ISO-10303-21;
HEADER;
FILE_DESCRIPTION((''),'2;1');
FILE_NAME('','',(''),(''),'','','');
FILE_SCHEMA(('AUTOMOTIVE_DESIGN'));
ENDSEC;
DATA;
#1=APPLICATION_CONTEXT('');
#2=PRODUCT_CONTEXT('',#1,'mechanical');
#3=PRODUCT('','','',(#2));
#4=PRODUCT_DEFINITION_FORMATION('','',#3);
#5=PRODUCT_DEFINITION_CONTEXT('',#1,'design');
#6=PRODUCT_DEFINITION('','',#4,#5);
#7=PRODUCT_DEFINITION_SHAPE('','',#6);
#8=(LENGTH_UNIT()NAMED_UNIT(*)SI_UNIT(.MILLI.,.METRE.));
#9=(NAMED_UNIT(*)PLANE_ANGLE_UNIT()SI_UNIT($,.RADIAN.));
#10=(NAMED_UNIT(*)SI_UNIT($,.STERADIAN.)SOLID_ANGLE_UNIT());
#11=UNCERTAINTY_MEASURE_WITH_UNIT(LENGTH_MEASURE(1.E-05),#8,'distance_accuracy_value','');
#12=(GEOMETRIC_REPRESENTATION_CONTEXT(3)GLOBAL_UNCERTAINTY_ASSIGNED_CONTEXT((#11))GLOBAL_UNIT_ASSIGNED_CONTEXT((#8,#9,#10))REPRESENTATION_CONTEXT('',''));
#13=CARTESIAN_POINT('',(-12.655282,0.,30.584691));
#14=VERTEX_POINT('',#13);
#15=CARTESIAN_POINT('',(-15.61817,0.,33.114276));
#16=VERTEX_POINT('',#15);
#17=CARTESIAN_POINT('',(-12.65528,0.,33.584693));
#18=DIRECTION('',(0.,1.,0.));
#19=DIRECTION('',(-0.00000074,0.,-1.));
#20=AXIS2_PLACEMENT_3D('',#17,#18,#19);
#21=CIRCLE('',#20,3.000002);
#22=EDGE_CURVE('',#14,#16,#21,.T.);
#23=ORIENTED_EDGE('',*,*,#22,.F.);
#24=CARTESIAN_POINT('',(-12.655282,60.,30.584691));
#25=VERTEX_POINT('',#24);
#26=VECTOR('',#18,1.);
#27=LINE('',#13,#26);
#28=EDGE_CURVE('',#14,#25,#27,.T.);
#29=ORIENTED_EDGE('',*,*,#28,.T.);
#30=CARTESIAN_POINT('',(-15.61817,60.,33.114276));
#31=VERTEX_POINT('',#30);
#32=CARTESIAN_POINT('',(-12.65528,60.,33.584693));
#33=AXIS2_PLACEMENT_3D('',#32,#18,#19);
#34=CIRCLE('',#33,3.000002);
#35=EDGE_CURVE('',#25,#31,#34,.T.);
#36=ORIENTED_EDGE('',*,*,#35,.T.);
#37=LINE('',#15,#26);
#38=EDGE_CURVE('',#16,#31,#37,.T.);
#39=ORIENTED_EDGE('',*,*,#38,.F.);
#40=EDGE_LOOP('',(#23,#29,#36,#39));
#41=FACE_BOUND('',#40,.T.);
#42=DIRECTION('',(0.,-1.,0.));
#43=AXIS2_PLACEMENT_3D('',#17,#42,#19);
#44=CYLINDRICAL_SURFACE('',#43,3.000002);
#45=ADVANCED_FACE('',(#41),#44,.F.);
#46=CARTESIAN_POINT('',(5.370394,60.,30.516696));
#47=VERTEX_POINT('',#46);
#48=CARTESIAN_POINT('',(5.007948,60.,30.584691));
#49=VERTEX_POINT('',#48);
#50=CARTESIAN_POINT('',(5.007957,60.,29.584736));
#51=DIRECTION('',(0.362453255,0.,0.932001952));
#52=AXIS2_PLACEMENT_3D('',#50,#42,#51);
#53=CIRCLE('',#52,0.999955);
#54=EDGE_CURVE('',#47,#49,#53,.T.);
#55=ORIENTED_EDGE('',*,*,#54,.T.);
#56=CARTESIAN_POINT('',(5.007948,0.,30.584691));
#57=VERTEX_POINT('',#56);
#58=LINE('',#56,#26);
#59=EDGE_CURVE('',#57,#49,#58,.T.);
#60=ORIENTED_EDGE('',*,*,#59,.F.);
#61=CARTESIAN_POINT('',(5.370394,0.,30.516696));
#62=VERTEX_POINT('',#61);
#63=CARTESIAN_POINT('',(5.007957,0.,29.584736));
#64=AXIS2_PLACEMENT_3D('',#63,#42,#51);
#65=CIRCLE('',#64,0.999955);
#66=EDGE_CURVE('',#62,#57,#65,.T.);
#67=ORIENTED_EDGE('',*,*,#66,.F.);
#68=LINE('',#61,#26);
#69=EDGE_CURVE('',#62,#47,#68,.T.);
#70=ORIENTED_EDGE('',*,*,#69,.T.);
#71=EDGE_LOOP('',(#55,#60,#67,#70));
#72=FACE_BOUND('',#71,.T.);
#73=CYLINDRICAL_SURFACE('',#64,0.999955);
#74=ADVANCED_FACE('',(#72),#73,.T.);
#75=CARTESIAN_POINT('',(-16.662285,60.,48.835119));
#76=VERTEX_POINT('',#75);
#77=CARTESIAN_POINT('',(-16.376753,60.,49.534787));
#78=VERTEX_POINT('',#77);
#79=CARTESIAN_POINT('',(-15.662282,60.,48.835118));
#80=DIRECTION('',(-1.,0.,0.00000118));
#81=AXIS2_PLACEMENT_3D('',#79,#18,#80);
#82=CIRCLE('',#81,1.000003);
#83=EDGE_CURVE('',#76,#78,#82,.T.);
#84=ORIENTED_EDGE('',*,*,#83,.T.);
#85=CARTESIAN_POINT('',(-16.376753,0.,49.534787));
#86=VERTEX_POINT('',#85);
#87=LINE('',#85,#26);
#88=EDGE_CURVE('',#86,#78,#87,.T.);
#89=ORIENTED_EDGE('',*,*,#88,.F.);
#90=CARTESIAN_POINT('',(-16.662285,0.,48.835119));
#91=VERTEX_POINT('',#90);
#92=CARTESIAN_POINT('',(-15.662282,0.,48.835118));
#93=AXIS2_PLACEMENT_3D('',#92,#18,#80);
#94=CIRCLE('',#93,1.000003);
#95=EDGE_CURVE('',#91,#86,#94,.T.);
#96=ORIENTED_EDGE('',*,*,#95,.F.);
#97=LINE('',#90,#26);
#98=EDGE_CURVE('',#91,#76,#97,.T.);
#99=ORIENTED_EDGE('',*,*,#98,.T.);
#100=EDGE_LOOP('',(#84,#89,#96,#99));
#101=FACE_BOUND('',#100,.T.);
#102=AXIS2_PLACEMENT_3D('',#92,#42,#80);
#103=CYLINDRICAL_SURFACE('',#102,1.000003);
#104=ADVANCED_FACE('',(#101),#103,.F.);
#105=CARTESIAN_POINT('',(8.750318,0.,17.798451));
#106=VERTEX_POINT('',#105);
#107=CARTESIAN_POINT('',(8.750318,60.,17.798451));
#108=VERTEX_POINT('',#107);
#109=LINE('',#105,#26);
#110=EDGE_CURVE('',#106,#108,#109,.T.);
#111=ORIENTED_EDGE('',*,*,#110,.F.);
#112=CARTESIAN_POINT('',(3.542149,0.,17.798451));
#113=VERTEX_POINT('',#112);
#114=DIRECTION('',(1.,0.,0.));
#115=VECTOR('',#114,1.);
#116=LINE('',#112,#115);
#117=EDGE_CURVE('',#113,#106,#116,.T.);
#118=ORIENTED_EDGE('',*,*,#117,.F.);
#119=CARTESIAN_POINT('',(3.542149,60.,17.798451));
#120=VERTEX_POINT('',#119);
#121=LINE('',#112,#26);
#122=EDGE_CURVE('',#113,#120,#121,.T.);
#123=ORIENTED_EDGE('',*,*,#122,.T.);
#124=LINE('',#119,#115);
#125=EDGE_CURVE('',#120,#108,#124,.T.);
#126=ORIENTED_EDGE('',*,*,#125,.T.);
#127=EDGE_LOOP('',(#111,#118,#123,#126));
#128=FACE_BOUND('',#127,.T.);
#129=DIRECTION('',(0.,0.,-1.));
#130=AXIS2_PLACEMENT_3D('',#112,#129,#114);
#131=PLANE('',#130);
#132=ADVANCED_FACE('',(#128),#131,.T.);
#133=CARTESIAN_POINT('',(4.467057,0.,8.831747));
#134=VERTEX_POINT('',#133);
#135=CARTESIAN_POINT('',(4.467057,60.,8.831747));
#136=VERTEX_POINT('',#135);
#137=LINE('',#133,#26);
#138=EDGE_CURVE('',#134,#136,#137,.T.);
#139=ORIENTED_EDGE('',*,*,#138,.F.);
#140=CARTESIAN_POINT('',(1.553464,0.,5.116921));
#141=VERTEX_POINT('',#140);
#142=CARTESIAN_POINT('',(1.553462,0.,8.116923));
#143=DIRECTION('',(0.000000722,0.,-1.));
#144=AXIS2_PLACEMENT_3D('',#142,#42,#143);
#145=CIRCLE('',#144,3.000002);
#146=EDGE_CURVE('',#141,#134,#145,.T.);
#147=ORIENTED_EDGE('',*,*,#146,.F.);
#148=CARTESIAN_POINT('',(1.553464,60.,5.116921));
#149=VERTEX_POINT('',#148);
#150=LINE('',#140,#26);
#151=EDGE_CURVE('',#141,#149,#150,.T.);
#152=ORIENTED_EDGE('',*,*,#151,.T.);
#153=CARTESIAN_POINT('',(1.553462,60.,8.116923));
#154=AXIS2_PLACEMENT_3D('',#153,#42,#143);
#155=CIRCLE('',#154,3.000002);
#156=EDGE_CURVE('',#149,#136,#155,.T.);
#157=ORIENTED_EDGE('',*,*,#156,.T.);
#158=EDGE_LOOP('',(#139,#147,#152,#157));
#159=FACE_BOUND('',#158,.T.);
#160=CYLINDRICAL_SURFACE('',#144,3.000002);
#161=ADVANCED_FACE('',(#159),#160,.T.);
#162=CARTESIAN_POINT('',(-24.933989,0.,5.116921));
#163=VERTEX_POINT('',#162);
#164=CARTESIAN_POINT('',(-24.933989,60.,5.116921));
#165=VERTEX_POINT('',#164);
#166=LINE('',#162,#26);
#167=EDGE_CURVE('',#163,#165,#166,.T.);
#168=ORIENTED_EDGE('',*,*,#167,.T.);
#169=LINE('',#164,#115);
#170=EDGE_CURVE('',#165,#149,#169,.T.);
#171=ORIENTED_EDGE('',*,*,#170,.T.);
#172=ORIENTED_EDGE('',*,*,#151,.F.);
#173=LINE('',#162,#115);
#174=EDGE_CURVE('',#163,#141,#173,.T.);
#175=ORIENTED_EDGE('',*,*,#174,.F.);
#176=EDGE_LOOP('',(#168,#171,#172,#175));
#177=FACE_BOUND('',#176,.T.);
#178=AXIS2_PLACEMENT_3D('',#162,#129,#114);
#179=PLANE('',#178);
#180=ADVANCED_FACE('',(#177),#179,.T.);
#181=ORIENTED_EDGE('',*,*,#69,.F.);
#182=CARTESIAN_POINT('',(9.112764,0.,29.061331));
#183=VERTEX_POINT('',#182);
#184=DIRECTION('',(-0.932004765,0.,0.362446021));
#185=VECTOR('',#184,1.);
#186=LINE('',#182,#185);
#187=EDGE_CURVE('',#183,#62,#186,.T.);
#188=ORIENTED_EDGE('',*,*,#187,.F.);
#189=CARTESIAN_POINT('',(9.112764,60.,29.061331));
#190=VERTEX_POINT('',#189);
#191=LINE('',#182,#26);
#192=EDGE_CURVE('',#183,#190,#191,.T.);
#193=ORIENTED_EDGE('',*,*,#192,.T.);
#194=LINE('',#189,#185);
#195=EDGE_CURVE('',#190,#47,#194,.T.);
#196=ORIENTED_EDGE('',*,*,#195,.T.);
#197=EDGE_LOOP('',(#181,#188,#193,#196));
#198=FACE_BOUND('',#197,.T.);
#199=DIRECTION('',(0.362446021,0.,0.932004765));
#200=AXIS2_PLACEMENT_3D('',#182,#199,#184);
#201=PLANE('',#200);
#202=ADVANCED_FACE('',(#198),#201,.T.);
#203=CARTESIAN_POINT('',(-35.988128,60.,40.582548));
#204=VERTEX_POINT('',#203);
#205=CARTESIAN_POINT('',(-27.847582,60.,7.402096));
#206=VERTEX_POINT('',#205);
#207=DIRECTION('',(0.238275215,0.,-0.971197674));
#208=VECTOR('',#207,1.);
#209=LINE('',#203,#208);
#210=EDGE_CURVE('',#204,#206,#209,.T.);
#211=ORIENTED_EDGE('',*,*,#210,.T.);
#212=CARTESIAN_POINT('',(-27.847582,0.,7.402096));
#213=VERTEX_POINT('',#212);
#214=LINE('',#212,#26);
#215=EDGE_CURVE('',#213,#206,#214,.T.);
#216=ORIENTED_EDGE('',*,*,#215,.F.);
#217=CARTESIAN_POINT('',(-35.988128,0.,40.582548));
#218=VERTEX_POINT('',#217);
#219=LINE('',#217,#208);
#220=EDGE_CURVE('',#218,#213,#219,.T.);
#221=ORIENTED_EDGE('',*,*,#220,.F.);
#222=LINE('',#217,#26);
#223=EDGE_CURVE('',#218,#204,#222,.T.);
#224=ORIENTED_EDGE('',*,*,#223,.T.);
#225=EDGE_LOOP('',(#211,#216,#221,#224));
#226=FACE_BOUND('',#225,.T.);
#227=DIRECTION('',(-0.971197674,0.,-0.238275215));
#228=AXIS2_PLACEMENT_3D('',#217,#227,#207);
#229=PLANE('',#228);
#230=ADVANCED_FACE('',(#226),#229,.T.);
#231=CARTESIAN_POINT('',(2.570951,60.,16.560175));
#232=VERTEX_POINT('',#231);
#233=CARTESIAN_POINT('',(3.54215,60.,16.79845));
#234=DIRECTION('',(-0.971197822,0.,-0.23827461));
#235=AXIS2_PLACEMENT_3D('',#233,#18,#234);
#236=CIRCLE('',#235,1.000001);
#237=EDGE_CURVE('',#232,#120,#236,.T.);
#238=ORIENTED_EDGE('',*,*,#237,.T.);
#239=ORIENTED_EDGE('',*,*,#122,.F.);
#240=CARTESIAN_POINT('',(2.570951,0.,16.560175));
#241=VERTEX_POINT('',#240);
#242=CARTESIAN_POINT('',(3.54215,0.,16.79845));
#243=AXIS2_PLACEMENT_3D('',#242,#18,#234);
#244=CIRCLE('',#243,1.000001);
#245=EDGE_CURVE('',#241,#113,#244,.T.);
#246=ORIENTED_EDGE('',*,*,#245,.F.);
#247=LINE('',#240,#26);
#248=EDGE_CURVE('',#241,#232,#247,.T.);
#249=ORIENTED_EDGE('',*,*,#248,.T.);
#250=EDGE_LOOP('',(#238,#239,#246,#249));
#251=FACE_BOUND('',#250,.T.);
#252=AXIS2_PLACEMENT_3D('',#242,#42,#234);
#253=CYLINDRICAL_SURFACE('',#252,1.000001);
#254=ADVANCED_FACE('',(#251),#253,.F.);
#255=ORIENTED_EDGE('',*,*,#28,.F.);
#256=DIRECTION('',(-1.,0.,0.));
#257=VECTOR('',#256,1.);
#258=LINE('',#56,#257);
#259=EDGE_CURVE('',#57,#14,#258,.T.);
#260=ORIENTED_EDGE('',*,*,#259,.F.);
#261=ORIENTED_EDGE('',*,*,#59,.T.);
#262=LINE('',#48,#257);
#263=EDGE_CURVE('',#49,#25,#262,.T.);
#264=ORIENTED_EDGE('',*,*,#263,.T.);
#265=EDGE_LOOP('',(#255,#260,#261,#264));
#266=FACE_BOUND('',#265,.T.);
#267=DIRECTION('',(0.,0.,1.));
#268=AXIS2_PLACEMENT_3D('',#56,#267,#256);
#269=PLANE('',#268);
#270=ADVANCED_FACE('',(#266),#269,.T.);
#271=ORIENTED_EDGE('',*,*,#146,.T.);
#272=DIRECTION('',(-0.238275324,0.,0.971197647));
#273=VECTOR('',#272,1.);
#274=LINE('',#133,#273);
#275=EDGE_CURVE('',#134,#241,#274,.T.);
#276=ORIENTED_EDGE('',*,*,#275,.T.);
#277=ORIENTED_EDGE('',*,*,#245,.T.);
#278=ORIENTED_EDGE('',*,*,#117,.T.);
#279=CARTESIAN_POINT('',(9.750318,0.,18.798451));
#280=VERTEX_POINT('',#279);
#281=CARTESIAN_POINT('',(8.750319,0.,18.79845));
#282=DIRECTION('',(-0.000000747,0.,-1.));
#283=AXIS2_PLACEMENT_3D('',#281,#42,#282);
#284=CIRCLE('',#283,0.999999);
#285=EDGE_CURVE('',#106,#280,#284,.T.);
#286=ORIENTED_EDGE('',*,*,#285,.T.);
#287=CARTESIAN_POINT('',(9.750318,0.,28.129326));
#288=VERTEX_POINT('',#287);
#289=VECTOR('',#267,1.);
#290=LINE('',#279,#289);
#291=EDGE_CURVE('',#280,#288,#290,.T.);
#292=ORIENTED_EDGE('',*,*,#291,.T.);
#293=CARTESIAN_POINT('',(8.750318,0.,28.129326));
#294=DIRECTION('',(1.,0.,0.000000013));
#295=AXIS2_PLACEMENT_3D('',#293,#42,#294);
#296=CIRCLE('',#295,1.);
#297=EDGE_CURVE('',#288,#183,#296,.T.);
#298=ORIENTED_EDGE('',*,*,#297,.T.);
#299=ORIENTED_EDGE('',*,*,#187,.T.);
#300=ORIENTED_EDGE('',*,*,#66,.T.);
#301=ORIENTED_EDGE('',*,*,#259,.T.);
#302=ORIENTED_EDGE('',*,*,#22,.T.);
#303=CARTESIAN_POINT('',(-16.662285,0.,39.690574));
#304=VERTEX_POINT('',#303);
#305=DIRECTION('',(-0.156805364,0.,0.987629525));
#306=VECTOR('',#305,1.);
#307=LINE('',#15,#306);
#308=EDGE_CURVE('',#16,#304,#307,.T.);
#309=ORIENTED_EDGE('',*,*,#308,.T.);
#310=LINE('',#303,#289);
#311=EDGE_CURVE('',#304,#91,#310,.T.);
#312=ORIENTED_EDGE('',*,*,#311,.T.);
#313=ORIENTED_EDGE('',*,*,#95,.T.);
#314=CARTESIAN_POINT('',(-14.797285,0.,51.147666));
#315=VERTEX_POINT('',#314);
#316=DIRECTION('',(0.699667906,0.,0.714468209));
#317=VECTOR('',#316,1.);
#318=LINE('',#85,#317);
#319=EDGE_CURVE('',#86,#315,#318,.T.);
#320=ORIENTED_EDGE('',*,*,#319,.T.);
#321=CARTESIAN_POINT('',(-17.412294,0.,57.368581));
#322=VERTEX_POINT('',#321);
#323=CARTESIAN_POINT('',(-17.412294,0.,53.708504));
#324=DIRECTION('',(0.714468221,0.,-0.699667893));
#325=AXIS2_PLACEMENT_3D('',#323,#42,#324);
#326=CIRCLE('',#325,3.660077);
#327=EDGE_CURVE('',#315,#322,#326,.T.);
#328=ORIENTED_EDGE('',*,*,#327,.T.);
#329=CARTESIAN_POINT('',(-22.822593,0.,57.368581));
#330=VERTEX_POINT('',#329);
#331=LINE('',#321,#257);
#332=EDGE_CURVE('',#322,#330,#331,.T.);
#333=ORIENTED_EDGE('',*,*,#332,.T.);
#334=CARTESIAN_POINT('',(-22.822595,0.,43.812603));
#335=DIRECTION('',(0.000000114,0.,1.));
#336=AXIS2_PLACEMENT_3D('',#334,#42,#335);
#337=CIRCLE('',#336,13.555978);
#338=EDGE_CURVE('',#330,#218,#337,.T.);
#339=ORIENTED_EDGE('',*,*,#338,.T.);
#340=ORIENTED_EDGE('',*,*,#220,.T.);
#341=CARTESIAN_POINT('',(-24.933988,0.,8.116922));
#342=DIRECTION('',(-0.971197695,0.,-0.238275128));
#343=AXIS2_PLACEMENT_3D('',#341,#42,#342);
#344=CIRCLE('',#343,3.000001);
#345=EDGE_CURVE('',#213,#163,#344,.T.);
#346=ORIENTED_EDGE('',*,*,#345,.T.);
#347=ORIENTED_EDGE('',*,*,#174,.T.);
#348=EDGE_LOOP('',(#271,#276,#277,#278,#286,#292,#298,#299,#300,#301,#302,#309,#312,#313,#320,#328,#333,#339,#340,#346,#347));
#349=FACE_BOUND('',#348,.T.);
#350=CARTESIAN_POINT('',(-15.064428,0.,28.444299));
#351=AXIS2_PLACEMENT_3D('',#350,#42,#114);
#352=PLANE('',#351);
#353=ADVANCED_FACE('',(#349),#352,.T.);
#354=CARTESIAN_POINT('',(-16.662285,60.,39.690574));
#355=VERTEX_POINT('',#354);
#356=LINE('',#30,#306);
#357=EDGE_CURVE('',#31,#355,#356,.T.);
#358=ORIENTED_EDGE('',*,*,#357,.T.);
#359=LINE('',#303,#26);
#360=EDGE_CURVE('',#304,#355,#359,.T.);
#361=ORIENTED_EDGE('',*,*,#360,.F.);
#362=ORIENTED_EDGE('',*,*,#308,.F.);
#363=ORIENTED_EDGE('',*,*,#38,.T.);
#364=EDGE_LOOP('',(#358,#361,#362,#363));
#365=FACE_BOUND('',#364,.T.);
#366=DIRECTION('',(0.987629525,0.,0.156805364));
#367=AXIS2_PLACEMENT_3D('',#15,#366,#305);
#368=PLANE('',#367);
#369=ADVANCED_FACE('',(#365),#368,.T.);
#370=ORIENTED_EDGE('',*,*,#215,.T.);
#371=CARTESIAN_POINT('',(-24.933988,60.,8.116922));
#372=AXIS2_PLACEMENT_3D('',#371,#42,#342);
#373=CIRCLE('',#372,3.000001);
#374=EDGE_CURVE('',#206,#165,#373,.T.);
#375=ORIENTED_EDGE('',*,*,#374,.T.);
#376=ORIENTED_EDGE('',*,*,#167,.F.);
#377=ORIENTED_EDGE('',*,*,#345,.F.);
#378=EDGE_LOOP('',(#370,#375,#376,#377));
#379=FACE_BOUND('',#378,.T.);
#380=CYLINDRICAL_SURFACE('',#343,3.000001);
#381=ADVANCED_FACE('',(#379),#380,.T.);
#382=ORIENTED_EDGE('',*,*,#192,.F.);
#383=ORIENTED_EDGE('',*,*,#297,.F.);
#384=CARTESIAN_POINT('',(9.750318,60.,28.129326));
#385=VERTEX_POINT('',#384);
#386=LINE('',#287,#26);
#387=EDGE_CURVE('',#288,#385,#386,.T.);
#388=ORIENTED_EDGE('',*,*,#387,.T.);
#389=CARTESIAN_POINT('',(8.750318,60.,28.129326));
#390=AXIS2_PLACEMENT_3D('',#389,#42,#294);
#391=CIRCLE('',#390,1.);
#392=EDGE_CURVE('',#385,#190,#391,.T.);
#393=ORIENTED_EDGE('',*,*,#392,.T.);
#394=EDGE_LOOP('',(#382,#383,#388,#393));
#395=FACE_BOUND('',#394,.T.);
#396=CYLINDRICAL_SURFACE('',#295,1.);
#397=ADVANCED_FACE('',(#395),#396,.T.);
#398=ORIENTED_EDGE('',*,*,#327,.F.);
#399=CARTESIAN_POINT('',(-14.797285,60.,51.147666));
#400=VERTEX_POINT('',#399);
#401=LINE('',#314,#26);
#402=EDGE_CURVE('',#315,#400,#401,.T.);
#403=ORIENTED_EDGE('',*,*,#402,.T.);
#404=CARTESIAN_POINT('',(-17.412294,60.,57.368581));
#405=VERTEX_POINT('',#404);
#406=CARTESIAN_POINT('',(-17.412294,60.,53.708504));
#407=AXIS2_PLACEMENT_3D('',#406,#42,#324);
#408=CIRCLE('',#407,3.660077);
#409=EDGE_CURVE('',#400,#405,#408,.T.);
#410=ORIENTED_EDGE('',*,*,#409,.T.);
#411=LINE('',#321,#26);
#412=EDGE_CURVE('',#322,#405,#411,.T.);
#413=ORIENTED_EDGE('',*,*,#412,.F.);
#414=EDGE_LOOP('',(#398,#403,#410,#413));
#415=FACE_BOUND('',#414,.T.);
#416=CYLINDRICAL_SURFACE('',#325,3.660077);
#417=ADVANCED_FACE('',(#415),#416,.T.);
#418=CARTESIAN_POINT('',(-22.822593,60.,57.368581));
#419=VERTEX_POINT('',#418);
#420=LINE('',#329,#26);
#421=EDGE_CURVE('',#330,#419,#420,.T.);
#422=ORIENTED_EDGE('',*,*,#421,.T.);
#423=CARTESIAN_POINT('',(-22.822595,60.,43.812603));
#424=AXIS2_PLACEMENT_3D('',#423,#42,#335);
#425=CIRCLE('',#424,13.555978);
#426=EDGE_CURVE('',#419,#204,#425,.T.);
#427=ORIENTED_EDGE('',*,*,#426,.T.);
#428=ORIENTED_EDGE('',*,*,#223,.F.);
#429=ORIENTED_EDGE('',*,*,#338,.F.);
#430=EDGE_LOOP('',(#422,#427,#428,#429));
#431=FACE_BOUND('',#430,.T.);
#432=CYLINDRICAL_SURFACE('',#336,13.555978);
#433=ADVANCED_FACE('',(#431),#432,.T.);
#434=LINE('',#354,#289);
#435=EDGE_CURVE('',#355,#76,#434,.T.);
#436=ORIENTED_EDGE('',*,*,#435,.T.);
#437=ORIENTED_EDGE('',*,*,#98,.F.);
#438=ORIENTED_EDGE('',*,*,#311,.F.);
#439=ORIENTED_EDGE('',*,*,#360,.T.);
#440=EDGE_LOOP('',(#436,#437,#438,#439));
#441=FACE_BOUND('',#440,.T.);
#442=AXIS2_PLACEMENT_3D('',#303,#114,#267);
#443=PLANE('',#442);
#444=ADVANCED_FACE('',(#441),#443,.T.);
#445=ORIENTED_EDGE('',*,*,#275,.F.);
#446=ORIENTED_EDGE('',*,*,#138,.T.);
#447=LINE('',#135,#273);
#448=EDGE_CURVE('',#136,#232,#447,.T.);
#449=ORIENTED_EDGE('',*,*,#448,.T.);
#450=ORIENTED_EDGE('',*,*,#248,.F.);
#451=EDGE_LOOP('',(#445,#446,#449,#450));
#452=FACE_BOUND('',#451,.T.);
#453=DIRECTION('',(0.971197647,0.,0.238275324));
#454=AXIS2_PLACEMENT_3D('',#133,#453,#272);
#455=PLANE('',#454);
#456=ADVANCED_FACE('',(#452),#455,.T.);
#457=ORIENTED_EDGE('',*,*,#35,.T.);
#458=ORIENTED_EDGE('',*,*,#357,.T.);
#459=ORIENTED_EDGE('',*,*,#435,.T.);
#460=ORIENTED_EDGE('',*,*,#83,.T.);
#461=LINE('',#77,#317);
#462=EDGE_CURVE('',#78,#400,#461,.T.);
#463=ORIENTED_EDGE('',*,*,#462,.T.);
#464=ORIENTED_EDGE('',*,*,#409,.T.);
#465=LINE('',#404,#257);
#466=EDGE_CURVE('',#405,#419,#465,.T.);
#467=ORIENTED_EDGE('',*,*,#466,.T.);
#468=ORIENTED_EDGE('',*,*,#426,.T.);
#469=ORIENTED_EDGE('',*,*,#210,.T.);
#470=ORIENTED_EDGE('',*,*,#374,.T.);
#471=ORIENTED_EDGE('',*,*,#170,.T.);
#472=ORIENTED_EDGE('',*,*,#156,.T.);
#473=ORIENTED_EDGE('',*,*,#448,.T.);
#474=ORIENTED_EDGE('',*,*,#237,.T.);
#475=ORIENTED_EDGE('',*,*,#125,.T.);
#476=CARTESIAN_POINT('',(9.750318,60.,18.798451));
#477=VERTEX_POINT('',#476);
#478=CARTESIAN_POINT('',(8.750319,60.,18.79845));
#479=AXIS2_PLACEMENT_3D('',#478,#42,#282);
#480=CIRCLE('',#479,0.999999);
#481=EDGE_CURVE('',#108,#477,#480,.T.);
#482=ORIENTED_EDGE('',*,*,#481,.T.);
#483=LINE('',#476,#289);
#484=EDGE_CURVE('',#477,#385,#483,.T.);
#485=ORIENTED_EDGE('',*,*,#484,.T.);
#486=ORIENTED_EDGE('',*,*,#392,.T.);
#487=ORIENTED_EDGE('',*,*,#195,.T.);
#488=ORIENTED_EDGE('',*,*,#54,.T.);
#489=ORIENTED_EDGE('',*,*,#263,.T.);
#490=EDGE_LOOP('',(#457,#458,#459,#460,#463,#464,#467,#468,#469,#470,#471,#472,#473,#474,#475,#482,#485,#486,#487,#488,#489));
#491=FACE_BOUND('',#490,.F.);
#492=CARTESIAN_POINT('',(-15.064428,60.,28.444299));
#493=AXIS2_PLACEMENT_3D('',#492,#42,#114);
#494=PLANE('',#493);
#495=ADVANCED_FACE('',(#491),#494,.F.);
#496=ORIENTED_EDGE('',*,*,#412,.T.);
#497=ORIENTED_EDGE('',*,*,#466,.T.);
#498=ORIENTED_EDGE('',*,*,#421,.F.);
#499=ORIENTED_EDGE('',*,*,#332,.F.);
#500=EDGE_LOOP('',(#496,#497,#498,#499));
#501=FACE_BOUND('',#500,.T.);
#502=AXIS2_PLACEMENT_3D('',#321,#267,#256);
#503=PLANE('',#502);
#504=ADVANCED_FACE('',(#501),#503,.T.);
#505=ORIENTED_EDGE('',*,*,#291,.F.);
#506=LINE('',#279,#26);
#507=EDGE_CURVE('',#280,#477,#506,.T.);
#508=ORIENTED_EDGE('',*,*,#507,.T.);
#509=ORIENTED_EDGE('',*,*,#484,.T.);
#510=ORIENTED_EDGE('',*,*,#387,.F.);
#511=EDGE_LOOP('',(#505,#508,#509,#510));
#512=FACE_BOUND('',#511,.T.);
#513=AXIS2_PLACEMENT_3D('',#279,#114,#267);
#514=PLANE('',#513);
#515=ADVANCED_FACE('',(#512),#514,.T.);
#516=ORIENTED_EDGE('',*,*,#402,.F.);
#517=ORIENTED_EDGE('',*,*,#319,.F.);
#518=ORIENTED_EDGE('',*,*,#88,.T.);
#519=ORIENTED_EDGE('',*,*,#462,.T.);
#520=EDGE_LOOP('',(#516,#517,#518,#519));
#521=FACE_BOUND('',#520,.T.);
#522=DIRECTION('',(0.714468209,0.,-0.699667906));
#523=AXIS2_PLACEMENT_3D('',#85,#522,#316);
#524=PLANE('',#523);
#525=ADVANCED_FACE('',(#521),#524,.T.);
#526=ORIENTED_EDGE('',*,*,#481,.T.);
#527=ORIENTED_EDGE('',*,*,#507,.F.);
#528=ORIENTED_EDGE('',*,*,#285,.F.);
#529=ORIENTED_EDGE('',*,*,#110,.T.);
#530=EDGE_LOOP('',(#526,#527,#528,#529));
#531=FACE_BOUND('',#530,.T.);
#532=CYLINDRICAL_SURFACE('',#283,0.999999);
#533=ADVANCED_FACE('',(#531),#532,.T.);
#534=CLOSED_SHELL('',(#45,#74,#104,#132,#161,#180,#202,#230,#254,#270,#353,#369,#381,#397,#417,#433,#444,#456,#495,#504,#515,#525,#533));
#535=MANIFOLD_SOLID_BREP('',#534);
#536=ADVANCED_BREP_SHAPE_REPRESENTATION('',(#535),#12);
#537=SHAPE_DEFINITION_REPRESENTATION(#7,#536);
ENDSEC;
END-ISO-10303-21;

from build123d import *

# Parameters (mm, degrees)
F1_DEPTH = 60


with BuildPart() as f1:
    # F0 (on Front) → F1 (new body)
    with BuildSketch(Plane.XZ):
        with BuildLine():
            ThreePointArc((-22.822593, 57.368581), (-33.489156, 52.178546), (-35.988128, 40.582548))
            Line((-35.988128, 40.582548), (-27.847582, 7.402096))
            ThreePointArc((-27.847582, 7.402096), (-26.78541, 5.756362), (-24.933989, 5.116921))
            Line((-24.933989, 5.116921), (1.553464, 5.116921))
            ThreePointArc((1.553464, 5.116921), (3.914022, 6.2655), (4.467057, 8.831747))
            Line((4.467057, 8.831747), (2.570951, 16.560175))
            ThreePointArc((2.570951, 16.560175), (2.755296, 17.415591), (3.542149, 17.798451))
            Line((3.542149, 17.798451), (8.750318, 17.798451))
            ThreePointArc((8.750318, 17.798451), (9.457425, 18.091344), (9.750318, 18.798451))
            Line((9.750318, 18.798451), (9.750318, 28.129326))
            ThreePointArc((9.750318, 28.129326), (9.57568, 28.69393), (9.112764, 29.061331))
            Line((9.112764, 29.061331), (5.370394, 30.516696))
            ThreePointArc((5.370394, 30.516696), (5.192333, 30.567546), (5.007948, 30.584691))
            Line((5.007948, 30.584691), (-12.655282, 30.584691))
            ThreePointArc((-12.655282, 30.584691), (-14.603197, 31.303108), (-15.61817, 33.114276))
            Line((-15.61817, 33.114276), (-16.662285, 39.690574))
            Line((-16.662285, 39.690574), (-16.662285, 48.835119))
            ThreePointArc((-16.662285, 48.835119), (-16.588154, 49.212963), (-16.376753, 49.534787))
            Line((-16.376753, 49.534787), (-14.797285, 51.147666))
            ThreePointArc((-14.797285, 51.147666), (-14.038199, 55.12683), (-17.412294, 57.368581))
            Line((-17.412294, 57.368581), (-22.822593, 57.368581))
        make_face()
    extrude(amount=-F1_DEPTH)


solid = f1.part
